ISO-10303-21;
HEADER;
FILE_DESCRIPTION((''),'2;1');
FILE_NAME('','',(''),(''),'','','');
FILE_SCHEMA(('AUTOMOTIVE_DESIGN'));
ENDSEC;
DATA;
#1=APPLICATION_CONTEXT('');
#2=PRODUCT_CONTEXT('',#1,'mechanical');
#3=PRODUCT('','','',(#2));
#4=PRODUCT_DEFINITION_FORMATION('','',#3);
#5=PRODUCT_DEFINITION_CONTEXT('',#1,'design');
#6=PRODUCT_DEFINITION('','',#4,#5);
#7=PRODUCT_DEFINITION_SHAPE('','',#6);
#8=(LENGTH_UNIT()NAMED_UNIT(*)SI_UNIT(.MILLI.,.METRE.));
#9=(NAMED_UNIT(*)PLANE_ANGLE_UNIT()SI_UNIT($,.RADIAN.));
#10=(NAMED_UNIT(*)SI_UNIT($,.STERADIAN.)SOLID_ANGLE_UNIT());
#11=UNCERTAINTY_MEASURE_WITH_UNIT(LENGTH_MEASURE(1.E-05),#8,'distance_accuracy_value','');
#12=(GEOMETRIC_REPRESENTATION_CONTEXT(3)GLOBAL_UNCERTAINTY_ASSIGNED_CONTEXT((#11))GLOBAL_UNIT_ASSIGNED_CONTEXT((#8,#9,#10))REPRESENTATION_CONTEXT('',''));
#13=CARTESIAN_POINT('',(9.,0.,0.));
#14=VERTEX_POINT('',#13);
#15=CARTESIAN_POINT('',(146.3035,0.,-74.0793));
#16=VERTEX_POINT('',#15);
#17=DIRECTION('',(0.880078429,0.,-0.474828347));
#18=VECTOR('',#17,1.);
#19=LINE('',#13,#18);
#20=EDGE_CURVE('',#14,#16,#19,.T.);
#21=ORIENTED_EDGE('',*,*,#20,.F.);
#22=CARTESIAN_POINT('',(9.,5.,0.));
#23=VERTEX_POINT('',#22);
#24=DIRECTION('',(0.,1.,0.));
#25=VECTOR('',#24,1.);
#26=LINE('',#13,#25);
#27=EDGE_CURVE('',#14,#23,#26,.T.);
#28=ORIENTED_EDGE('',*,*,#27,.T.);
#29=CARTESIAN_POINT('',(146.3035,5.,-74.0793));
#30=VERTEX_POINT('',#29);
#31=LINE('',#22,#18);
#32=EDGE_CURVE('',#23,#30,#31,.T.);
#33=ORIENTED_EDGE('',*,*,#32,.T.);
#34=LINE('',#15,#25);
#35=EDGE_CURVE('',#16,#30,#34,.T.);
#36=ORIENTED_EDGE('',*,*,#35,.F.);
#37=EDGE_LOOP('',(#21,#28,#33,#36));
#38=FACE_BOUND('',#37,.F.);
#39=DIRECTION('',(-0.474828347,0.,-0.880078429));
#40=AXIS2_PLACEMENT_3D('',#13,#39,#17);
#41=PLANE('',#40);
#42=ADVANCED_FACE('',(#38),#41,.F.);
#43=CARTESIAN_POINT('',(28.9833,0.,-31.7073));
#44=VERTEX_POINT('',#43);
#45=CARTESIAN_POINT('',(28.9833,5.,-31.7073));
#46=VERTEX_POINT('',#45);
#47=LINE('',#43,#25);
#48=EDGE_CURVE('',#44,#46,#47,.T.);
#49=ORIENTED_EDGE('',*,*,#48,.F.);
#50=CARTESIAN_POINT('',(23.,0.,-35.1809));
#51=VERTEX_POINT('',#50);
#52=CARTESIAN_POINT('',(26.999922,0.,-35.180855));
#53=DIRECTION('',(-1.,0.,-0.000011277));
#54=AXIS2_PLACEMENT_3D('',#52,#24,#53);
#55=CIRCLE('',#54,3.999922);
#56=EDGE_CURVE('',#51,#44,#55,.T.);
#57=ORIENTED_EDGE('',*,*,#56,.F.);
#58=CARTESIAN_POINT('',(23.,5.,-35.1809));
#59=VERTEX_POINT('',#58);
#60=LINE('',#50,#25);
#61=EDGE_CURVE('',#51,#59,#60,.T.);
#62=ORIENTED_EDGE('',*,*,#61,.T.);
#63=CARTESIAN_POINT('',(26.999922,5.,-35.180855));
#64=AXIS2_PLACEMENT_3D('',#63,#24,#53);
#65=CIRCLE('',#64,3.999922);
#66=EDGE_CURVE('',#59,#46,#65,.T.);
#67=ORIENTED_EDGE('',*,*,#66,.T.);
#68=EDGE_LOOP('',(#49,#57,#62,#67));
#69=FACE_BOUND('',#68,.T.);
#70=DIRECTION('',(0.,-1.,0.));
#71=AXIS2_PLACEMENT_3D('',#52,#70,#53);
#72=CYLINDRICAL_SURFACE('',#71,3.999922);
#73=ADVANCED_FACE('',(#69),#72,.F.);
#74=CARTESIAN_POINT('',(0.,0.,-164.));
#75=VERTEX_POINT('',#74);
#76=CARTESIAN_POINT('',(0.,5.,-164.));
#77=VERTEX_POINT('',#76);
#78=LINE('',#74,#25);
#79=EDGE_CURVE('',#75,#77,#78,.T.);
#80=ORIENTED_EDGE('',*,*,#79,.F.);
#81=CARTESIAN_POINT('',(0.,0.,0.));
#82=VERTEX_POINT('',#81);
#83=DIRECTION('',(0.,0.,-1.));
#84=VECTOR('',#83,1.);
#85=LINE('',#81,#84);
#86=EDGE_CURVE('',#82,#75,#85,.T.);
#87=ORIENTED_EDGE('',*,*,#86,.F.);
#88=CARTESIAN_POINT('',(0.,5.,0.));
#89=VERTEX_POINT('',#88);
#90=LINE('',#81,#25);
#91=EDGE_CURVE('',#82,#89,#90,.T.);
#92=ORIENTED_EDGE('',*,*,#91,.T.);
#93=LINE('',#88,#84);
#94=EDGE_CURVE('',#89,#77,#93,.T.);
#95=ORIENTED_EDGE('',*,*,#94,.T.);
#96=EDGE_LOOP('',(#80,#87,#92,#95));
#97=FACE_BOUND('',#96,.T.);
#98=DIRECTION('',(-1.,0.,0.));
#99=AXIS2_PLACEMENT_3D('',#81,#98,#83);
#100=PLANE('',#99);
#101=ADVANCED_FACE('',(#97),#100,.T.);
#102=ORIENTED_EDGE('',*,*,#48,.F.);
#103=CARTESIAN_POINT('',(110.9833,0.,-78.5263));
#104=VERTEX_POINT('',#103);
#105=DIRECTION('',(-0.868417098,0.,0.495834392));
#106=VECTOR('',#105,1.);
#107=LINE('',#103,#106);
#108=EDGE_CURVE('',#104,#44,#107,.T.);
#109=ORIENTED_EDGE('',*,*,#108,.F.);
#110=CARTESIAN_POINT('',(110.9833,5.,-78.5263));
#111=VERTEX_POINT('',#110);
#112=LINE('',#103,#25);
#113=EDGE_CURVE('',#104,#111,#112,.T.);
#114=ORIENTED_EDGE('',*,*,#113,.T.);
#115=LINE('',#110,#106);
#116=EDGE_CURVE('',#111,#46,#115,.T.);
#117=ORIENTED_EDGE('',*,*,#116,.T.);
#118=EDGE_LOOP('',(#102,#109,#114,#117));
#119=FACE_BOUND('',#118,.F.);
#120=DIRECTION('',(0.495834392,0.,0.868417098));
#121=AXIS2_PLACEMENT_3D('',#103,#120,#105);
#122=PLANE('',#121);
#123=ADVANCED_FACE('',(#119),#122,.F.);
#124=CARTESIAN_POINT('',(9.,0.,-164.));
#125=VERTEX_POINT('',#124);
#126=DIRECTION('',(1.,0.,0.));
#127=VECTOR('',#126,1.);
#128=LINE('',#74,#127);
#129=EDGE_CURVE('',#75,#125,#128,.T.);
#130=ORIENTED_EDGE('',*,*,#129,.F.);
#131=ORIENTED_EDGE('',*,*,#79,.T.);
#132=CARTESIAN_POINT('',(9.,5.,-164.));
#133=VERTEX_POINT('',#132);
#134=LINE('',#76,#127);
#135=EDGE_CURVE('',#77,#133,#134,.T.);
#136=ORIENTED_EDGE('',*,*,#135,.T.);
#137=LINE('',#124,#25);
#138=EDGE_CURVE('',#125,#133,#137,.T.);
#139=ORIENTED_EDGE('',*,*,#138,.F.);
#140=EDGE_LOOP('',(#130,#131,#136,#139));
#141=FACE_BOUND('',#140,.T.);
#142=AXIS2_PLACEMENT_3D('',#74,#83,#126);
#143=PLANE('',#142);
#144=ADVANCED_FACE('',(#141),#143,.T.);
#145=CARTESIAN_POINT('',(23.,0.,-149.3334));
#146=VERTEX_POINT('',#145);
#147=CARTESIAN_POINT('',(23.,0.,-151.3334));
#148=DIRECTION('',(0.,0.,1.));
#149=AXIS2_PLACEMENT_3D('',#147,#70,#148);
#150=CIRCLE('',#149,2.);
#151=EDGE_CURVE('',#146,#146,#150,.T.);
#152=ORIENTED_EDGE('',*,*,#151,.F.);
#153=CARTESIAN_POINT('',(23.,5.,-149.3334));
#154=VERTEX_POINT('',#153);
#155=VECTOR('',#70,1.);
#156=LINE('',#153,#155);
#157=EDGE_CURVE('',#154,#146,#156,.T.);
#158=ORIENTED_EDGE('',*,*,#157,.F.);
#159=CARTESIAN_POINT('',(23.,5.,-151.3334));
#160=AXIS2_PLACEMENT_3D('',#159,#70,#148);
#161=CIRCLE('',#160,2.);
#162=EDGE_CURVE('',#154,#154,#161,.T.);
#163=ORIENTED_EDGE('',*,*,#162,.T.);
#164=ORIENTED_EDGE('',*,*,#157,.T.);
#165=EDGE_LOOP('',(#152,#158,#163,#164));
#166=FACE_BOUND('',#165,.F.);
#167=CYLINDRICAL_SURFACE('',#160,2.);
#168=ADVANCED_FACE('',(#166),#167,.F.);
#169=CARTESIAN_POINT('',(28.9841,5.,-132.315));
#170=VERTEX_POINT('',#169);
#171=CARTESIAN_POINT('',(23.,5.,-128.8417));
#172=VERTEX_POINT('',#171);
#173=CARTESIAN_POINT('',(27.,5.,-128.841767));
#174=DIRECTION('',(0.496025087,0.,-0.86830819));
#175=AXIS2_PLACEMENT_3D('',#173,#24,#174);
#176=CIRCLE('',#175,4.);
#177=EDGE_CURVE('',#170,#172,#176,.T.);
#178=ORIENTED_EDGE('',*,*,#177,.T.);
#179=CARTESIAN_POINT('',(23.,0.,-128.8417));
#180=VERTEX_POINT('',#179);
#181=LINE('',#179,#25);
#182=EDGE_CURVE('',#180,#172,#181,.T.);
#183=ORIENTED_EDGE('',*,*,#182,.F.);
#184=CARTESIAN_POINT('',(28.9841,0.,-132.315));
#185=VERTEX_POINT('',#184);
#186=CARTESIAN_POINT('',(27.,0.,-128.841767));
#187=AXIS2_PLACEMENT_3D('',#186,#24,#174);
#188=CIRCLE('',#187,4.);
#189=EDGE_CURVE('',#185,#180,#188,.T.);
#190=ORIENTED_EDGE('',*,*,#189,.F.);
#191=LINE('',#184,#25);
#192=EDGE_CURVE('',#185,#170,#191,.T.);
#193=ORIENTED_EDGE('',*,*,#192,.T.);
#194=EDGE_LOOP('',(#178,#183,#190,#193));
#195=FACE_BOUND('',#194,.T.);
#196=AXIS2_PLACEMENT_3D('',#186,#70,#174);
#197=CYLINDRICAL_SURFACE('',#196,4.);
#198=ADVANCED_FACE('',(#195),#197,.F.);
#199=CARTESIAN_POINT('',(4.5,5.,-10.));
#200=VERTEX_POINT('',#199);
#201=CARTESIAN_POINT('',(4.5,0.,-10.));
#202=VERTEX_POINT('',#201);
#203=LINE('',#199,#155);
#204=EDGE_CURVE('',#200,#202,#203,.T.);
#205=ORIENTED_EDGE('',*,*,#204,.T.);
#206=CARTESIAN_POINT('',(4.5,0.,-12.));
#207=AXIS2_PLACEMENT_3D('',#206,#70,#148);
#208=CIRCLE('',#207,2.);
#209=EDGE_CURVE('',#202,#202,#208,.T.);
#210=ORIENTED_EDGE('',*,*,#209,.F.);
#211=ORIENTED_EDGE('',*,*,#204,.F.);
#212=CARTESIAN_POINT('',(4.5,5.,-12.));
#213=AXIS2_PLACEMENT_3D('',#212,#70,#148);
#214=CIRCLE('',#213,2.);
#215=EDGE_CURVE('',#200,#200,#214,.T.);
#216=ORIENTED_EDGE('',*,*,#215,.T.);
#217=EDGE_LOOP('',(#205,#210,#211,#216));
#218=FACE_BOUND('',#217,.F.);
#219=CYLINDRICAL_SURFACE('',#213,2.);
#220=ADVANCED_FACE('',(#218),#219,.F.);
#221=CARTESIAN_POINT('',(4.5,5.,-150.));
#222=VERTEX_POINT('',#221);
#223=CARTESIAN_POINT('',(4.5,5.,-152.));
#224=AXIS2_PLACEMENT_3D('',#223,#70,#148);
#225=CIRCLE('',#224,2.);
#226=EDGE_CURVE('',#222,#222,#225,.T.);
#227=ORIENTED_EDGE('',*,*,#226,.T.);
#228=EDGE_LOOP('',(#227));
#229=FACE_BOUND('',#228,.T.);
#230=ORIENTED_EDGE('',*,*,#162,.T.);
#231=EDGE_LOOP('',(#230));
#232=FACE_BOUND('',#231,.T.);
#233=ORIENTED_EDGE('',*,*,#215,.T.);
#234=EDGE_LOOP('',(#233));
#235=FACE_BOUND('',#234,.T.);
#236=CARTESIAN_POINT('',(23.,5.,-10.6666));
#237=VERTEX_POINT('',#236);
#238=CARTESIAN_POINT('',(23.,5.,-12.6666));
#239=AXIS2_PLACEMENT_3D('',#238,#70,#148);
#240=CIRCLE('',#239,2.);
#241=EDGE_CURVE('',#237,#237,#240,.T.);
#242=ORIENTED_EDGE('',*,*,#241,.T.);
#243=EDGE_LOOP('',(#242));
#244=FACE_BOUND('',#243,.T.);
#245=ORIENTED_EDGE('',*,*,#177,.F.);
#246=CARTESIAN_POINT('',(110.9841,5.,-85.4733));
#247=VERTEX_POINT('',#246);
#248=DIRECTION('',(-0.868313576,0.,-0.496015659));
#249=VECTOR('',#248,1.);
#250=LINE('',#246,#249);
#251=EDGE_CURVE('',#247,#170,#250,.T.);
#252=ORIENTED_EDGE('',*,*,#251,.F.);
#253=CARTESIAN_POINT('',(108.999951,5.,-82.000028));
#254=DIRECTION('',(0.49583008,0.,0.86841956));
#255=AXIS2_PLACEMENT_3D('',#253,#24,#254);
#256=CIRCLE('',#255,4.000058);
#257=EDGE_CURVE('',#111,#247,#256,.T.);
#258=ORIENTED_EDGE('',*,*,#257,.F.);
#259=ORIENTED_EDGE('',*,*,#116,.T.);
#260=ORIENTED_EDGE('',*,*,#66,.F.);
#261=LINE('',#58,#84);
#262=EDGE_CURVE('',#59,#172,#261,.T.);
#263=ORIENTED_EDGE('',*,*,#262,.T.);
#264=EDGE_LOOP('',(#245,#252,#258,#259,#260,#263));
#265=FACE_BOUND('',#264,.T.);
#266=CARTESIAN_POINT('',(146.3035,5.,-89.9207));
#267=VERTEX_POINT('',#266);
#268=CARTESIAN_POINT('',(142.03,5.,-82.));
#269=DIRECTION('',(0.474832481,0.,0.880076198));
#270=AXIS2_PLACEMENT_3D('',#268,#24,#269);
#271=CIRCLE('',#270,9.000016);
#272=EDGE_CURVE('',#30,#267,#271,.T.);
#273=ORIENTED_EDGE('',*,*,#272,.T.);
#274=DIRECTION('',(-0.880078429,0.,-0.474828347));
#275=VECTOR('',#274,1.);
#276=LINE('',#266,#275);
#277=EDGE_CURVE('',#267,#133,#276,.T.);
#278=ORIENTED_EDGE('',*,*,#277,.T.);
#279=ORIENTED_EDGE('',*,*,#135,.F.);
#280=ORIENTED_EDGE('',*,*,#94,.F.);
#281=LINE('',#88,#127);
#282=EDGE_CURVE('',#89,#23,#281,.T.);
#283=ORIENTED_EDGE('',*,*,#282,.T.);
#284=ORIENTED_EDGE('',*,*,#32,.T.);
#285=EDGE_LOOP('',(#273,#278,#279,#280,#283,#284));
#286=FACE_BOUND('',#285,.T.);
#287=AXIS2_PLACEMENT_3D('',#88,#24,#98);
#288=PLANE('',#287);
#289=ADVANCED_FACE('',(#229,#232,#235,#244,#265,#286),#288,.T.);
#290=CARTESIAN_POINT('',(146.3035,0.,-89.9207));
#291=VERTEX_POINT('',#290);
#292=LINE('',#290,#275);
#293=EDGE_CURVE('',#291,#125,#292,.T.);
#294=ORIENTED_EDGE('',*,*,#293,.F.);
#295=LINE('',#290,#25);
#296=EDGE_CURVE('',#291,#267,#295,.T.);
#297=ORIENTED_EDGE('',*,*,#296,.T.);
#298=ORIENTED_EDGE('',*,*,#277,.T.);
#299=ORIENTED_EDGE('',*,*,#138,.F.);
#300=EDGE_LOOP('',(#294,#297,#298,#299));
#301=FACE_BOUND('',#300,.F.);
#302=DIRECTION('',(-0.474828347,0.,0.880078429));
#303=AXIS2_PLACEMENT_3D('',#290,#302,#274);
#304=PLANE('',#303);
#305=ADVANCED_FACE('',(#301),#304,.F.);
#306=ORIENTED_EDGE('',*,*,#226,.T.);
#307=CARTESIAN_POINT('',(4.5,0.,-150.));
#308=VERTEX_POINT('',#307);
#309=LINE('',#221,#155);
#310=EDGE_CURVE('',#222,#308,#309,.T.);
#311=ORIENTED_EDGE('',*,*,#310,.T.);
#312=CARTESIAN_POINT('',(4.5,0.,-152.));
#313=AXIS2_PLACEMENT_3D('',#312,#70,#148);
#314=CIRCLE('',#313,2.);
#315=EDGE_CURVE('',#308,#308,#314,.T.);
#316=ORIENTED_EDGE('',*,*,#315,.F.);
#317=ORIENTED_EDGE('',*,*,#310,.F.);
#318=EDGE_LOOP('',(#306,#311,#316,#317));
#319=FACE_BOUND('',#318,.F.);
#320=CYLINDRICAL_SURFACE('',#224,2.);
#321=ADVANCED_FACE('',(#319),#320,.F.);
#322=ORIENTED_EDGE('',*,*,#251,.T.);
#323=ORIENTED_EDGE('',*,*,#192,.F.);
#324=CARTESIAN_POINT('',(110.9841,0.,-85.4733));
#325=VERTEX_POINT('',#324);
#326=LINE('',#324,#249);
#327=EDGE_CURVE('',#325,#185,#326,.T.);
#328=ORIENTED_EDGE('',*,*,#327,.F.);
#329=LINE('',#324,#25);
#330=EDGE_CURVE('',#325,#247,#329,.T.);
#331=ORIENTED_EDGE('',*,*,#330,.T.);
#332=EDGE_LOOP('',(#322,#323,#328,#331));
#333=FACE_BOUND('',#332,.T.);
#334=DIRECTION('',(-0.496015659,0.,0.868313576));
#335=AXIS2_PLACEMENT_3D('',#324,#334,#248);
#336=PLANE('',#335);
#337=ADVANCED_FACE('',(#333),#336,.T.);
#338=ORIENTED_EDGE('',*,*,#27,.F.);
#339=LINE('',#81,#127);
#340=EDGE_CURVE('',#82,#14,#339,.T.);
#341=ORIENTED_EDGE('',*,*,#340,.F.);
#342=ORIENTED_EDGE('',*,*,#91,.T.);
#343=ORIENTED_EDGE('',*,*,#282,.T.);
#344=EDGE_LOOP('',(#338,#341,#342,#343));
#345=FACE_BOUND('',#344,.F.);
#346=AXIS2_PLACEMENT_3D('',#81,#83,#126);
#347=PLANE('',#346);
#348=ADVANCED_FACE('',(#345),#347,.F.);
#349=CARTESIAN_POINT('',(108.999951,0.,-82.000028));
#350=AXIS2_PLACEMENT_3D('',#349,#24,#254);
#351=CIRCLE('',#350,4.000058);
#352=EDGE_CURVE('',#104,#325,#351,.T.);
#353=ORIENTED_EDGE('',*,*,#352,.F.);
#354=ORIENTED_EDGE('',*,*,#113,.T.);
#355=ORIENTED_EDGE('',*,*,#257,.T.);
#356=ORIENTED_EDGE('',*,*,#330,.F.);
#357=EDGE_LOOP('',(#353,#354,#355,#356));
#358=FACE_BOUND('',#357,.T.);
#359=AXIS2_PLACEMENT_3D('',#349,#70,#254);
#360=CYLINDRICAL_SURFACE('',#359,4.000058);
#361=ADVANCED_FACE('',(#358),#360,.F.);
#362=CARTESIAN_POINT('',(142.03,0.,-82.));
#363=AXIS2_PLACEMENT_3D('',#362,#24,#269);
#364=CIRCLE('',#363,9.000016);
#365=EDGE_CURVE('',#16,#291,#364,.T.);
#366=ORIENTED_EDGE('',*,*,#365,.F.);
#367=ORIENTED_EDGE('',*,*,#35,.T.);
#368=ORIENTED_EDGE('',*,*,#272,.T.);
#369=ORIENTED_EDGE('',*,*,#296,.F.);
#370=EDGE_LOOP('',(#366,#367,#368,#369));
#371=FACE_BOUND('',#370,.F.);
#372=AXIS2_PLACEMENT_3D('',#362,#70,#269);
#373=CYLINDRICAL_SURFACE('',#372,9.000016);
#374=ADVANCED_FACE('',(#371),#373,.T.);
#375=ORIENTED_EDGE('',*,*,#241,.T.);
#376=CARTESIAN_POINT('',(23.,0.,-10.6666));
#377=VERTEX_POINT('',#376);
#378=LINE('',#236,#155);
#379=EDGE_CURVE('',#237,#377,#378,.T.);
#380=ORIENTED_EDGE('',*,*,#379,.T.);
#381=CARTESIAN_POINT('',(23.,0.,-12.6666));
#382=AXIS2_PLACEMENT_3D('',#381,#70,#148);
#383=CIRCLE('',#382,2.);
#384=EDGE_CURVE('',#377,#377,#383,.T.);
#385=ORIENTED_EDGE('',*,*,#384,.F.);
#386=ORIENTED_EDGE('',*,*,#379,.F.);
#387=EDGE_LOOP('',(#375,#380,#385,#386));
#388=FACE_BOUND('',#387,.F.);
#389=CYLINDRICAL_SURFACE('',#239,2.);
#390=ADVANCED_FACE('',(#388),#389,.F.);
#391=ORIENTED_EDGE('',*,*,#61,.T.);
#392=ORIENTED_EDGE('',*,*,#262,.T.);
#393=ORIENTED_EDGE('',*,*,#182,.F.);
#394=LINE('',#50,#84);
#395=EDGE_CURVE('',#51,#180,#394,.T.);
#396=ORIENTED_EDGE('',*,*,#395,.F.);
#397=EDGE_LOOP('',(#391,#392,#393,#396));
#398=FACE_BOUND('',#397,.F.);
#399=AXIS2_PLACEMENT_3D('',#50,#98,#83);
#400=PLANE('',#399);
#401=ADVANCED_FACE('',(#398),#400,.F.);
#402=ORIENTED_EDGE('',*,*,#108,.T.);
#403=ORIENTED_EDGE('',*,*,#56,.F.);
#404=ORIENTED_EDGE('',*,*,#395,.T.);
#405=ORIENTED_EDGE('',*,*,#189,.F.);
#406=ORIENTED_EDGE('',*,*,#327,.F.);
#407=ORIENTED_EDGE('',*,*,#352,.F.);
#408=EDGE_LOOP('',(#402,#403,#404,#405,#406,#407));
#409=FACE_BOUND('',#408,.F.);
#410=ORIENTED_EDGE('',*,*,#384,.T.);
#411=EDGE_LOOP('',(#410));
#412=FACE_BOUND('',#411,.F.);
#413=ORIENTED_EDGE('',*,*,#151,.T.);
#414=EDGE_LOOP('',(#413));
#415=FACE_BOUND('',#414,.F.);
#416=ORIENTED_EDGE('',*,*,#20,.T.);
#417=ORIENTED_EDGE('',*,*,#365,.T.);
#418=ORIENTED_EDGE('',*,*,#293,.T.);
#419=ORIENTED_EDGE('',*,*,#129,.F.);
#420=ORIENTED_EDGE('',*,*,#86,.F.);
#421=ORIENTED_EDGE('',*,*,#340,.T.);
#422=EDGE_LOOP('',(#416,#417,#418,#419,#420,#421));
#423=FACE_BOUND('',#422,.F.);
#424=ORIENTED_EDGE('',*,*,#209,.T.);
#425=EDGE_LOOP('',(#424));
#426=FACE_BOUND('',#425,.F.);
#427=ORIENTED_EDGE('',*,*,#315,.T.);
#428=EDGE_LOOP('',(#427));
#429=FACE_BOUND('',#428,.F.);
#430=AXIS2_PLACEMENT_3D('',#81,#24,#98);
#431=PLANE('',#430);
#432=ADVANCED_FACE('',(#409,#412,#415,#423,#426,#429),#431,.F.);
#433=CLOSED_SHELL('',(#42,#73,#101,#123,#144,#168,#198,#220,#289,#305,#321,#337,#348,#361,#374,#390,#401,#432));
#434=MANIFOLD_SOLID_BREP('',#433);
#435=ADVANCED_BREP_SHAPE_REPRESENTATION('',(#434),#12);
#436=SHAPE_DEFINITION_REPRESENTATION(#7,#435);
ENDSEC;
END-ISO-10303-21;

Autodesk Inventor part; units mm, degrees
ref_plane "YZ Plane" through (0, 0, 0) normal (1, 0, 0) x (0, 1, 0)
ref_plane "XZ Plane" through (0, 0, 0) normal (0, 1, 0) x (-1, 0, 0)
ref_plane "XY Plane" through (0, 0, 0) normal (0, 0, 1) x (1, 0, 0)
sketch "Sketch1" plane through (0, 0, 0) normal (0, 1, 0) x (-1, 0, 0)
  line L0 (0, 0) -> (0, -164)
  line L1 (0, 0) -> (-9, 0)
  line L2 (0, -164) -> (-9, -164)
  line L3 (56.0828, -82) -> (-131.3763, -82) construction
  arc A0 (-146.3035, -74.0793) -> (-146.3035, -89.9207) centre (-142.03, -82) ccw
  line L4 (-110.9841, -85.4733) -> (-28.9841, -132.315)
  line L5 (-110.9833, -78.5263) -> (-28.9833, -31.7073)
  arc A1 (-23, -35.1809) -> (-28.9833, -31.7073) centre (-27, -35.1809) ccw
  arc A2 (-28.9841, -132.315) -> (-23, -128.8417) centre (-27, -128.8417) ccw
  line L6 (-23, -35.1809) -> (-23, -128.8417)
  line L7 (-146.3035, -89.9207) -> (-9, -164)
  line L8 (-9, 0) -> (-146.3035, -74.0793)
  arc A3 (-110.9833, -78.5263) -> (-110.9841, -85.4733) centre (-109, -82) ccw
  point P0 (0, -82)
  point P1 (-23, -82)
  point P2 (-75.5556, -35.9087)
  point P3 (-69.9833, -55.1168)
  point P4 (-75.5113, -128.1152)
  point P5 (-69.9841, -108.8941)
  dimension "d0" = 164
  dimension "d1" = 9
  dimension "d2" = 9
  dimension "d13" = 18
  dimension "d20" = 8
  dimension "d21" = 8
  dimension "d73" = 142.03
  dimension "d74" = 23
  dimension "d76" = 8
  dimension "d77" = 86
  dimension "d78" = 20
  dimension "d79" = 20
extrude "Extrusion1" add sketch "Sketch1" along normal blind 5
sketch "Sketch2" plane through (0, 5, 0) normal (0, 1, 0) x (1, 0, 0)
  line L0 (0, 164) -> (0, 0) projected
  line L1 (0, 82) -> (160.3523, 82) construction
  line L2 (4.5, 12) -> (4.5, 152) construction
  circle A0 centre (4.5, 12) radius 2
  circle A1 centre (4.5, 152) radius 2
  line L3 (23, 12.6666) -> (23, 144.7978) construction
  circle A2 centre (23, 12.6666) radius 2
  line L4 (23, 12.6666) -> (151.5071, 82) construction
  circle A3 centre (54.2428, 29.523) radius 2
  circle A4 centre (69.8202, 37.9275) radius 2
  line L5 (9, 0) -> (146.3035, 74.0793) projected
  circle A5 centre (85.3976, 46.3319) radius 2
  circle A6 centre (100.9749, 54.7364) radius 2
  circle A7 centre (116.5523, 63.1409) radius 2
  circle A8 centre (132.1297, 71.5453) radius 2
  circle A9 centre (38.6654, 21.1185) radius 2
  circle A10 centre (23, 151.3334) radius 2
  circle A11 centre (54.2428, 134.477) radius 2
  circle A12 centre (69.8202, 126.0725) radius 2
  circle A13 centre (85.3976, 117.6681) radius 2
  circle A14 centre (116.5523, 100.8591) radius 2
  circle A15 centre (132.1297, 92.4547) radius 2
  circle A16 centre (38.6654, 142.8815) radius 2
  point P0 (4.5, 82)
  point P1 (100.9749, 109.2636)
  dimension "d82" = 4
  dimension "d83" = 4
  dimension "d84" = 140
  dimension "d85" = 4.5
  dimension "d88" = 4
  dimension "d89" = 4
  dimension "d91" = 4
  dimension "d93" = 23
  dimension "d94" = 4.5
  dimension "d95" = 4.5
  dimension "d98" = 4
  dimension "d99" = 4
  dimension "d100" = 4
  dimension "d101" = 4
  dimension "d106" = 17.7
  dimension "d107" = 17.7
  dimension "d108" = 17.7
  dimension "d109" = 17.7
  dimension "d110" = 124
  dimension "d111" = 17.7
  dimension "d112" = 4
  dimension "d113" = 17.7
hole "Hole2" at (4.5, 5, -12) at (23, 5, -12.6666) at (4.5, 5, -152) at (23, 5, -151.3334) direction (0, -1, 0) diameter 4 depth 10 tip angle 118
equation "\"d95\" = d94"
properties part number "17 nueva"
